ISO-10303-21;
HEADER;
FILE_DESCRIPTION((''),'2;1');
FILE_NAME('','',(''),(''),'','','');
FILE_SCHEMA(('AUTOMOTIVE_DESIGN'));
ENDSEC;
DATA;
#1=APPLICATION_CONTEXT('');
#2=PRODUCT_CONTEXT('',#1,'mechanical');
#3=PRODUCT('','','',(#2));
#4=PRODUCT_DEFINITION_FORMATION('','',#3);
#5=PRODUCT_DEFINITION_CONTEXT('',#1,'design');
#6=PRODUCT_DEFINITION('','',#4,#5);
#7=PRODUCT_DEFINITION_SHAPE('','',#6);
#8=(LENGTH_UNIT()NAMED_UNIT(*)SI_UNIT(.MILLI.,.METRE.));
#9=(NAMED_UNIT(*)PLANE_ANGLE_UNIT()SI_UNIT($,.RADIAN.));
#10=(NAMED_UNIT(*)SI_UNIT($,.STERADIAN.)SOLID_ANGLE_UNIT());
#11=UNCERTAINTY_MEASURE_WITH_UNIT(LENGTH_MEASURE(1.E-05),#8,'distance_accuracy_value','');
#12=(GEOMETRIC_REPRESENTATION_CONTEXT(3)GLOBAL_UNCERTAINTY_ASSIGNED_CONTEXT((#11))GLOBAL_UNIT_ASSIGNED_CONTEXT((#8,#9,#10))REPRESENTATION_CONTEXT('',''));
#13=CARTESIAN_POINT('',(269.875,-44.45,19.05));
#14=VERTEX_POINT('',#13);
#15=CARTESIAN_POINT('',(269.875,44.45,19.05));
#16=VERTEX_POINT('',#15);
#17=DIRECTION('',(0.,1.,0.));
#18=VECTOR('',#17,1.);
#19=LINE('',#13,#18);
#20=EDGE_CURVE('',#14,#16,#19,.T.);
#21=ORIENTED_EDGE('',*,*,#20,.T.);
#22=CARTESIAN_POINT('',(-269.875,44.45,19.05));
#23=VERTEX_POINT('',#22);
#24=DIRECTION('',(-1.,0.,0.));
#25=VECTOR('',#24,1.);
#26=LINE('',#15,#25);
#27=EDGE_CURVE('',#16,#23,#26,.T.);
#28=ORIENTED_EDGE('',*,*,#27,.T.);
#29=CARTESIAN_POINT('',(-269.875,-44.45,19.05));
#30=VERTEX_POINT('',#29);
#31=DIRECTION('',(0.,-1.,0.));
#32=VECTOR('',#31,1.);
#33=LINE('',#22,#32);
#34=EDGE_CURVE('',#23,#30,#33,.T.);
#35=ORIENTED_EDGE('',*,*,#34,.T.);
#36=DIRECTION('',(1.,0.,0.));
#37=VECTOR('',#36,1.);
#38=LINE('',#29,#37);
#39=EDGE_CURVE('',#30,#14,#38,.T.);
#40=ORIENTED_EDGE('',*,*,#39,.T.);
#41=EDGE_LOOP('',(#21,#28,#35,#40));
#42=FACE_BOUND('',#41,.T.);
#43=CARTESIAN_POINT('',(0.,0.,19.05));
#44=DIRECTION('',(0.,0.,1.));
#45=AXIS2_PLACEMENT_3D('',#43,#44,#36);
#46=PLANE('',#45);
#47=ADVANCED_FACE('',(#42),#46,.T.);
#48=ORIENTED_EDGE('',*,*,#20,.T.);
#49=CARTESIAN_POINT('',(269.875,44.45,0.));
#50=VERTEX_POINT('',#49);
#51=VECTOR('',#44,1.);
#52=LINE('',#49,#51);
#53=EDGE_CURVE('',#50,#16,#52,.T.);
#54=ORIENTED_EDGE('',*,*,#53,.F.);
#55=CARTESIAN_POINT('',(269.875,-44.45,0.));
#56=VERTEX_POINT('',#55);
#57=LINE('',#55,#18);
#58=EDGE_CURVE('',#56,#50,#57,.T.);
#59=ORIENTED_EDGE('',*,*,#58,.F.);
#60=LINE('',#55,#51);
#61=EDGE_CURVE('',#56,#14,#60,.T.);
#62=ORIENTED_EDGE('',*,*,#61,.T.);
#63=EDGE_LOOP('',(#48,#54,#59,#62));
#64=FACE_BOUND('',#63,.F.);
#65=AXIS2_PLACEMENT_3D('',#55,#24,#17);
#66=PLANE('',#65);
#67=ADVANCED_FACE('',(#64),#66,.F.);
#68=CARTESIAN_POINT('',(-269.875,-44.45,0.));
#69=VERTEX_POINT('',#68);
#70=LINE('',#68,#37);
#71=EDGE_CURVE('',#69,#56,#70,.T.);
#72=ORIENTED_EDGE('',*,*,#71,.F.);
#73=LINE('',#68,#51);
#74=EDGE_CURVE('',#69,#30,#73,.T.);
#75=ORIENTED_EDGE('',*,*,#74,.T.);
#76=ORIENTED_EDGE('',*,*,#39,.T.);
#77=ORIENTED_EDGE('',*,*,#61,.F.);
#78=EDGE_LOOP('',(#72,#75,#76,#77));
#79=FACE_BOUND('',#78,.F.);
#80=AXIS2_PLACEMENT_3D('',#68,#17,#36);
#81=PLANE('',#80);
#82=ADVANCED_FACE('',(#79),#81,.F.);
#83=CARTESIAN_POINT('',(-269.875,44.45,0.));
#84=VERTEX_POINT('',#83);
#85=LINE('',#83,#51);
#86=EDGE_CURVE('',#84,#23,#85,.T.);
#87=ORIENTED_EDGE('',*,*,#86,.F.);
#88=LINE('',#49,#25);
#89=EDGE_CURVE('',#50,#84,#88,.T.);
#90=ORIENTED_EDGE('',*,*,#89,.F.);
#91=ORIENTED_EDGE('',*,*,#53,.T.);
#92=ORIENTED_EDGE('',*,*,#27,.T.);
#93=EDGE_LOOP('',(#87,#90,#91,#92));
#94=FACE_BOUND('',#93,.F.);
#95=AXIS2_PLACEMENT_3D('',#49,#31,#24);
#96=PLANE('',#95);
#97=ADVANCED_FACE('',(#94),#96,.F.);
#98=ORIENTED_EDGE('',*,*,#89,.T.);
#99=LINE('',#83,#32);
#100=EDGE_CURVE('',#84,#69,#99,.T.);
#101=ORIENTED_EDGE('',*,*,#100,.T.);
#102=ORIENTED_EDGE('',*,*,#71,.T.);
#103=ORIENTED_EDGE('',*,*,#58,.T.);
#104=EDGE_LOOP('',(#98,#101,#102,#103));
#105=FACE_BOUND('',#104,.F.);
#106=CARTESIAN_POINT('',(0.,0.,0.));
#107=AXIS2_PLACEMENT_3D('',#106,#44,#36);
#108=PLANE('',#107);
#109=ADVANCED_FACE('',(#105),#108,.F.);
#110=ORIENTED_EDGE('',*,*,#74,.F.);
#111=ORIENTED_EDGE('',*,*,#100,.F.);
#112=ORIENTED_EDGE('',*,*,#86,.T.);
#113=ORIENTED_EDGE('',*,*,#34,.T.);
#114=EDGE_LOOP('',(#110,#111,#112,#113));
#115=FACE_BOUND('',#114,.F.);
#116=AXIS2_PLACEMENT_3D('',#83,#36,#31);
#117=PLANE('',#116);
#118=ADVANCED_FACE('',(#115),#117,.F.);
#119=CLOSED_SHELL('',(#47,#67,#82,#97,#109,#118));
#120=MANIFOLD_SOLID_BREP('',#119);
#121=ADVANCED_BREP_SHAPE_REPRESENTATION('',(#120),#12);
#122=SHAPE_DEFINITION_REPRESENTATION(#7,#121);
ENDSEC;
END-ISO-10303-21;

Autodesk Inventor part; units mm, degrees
ref_plane "YZ Plane" through (0, 0, 0) normal (1, 0, 0) x (0, 1, 0)
ref_plane "XZ Plane" through (0, 0, 0) normal (0, 1, 0) x (-1, 0, 0)
ref_plane "XY Plane" through (0, 0, 0) normal (0, 0, 1) x (1, 0, 0)
sketch "Sketch1" plane through (0, 0, 0) normal (0, 0, 1) x (1, 0, 0)
  line L0 (-269.875, -44.45) -> (269.875, -44.45)
  line L1 (269.875, -44.45) -> (269.875, 44.45)
  line L2 (269.875, 44.45) -> (-269.875, 44.45)
  line L3 (-269.875, 44.45) -> (-269.875, -44.45)
  line L4 (-269.875, -44.45) -> (269.875, 44.45) construction
  line L5 (269.875, -44.45) -> (-269.875, 44.45) construction
  point P0 (0, 0)
  dimension "d0" = 539.75
  dimension "d1" = 88.9
extrude "Extrusion1" add sketch "Sketch1" along normal blind 19.05
properties part number "Tun-Brace"
